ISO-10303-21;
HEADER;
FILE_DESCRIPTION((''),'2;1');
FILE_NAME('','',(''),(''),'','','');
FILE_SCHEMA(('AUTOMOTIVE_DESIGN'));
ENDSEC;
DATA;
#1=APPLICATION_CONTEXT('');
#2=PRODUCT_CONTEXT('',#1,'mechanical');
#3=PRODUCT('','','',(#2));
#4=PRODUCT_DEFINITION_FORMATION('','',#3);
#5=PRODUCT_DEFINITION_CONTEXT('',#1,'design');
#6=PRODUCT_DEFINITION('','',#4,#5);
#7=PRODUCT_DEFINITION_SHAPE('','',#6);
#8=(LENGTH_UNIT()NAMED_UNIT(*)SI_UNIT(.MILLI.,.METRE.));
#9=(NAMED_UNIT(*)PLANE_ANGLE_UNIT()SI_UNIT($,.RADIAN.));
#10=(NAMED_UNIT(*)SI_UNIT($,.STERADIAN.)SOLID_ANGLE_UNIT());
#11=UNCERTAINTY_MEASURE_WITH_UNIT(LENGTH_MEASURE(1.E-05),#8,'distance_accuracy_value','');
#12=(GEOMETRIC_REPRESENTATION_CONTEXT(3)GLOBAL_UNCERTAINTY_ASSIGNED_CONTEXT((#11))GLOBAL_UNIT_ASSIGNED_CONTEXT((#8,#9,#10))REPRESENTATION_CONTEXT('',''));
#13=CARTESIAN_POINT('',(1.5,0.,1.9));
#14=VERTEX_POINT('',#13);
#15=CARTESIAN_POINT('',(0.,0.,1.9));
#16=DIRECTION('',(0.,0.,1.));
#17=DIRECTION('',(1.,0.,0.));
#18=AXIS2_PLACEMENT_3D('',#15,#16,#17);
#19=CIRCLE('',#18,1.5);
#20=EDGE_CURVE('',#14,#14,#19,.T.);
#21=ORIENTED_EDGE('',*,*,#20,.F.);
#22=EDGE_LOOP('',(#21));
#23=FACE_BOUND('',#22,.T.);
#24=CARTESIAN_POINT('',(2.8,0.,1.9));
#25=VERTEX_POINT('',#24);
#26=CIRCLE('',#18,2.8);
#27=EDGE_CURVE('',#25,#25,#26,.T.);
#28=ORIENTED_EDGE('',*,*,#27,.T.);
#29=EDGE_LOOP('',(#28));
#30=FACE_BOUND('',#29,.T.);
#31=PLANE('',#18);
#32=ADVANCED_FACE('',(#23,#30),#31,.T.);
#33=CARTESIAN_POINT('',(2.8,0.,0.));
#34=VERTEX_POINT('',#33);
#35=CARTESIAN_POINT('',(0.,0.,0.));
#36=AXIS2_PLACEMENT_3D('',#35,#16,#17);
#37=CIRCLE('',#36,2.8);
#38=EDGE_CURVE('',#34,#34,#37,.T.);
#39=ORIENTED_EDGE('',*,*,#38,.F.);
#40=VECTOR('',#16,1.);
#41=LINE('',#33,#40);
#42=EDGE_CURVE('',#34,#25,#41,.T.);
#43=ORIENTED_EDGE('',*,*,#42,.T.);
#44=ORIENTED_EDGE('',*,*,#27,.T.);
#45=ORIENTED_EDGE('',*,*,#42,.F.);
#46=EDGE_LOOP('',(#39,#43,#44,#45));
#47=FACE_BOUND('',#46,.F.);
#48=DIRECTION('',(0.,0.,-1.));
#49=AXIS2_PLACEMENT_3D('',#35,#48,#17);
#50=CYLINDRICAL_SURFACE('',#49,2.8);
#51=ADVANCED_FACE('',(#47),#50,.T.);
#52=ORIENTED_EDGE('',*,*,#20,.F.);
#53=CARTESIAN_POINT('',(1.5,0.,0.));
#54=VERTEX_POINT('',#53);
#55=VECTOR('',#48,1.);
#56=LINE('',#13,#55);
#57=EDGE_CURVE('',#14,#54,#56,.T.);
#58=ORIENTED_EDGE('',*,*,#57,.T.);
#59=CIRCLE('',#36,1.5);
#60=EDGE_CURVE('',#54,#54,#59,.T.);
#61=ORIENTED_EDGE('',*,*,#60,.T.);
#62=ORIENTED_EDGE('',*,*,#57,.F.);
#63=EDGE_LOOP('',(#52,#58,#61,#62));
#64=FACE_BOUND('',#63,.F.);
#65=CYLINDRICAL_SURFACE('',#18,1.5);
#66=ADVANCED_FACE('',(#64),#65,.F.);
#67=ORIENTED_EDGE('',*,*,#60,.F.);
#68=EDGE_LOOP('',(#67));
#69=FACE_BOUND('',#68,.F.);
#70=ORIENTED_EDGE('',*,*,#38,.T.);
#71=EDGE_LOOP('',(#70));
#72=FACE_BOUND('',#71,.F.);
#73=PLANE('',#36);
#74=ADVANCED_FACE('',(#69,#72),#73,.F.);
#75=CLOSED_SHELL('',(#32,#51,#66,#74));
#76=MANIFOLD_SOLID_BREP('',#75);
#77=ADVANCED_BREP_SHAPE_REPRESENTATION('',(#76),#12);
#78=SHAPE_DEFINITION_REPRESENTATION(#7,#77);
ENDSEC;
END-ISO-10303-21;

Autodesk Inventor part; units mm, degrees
ref_plane "YZ Plane" through (0, 0, 0) normal (1, 0, 0) x (0, 1, 0)
ref_plane "XZ Plane" through (0, 0, 0) normal (0, 1, 0) x (-1, 0, 0)
ref_plane "XY Plane" through (0, 0, 0) normal (0, 0, 1) x (1, 0, 0)
sketch "Sketch1" plane through (0, 0, 0) normal (0, 0, 1) x (1, 0, 0)
  circle A0 centre (0, 0) radius 2.8
  dimension "d0" = 5.6
extrude "Extrusion1" add sketch "Sketch1" along normal blind 1.9
sketch "Sketch2" plane through (0, 0, 1.9) normal (0, 0, 1) x (1, 0, 0)
  circle A0 centre (0, 0) radius 1.5
  dimension "d3" = 3
extrude "Extrusion2" cut sketch "Sketch2" against normal blind 1.9
properties part number "laser clamp outside"
